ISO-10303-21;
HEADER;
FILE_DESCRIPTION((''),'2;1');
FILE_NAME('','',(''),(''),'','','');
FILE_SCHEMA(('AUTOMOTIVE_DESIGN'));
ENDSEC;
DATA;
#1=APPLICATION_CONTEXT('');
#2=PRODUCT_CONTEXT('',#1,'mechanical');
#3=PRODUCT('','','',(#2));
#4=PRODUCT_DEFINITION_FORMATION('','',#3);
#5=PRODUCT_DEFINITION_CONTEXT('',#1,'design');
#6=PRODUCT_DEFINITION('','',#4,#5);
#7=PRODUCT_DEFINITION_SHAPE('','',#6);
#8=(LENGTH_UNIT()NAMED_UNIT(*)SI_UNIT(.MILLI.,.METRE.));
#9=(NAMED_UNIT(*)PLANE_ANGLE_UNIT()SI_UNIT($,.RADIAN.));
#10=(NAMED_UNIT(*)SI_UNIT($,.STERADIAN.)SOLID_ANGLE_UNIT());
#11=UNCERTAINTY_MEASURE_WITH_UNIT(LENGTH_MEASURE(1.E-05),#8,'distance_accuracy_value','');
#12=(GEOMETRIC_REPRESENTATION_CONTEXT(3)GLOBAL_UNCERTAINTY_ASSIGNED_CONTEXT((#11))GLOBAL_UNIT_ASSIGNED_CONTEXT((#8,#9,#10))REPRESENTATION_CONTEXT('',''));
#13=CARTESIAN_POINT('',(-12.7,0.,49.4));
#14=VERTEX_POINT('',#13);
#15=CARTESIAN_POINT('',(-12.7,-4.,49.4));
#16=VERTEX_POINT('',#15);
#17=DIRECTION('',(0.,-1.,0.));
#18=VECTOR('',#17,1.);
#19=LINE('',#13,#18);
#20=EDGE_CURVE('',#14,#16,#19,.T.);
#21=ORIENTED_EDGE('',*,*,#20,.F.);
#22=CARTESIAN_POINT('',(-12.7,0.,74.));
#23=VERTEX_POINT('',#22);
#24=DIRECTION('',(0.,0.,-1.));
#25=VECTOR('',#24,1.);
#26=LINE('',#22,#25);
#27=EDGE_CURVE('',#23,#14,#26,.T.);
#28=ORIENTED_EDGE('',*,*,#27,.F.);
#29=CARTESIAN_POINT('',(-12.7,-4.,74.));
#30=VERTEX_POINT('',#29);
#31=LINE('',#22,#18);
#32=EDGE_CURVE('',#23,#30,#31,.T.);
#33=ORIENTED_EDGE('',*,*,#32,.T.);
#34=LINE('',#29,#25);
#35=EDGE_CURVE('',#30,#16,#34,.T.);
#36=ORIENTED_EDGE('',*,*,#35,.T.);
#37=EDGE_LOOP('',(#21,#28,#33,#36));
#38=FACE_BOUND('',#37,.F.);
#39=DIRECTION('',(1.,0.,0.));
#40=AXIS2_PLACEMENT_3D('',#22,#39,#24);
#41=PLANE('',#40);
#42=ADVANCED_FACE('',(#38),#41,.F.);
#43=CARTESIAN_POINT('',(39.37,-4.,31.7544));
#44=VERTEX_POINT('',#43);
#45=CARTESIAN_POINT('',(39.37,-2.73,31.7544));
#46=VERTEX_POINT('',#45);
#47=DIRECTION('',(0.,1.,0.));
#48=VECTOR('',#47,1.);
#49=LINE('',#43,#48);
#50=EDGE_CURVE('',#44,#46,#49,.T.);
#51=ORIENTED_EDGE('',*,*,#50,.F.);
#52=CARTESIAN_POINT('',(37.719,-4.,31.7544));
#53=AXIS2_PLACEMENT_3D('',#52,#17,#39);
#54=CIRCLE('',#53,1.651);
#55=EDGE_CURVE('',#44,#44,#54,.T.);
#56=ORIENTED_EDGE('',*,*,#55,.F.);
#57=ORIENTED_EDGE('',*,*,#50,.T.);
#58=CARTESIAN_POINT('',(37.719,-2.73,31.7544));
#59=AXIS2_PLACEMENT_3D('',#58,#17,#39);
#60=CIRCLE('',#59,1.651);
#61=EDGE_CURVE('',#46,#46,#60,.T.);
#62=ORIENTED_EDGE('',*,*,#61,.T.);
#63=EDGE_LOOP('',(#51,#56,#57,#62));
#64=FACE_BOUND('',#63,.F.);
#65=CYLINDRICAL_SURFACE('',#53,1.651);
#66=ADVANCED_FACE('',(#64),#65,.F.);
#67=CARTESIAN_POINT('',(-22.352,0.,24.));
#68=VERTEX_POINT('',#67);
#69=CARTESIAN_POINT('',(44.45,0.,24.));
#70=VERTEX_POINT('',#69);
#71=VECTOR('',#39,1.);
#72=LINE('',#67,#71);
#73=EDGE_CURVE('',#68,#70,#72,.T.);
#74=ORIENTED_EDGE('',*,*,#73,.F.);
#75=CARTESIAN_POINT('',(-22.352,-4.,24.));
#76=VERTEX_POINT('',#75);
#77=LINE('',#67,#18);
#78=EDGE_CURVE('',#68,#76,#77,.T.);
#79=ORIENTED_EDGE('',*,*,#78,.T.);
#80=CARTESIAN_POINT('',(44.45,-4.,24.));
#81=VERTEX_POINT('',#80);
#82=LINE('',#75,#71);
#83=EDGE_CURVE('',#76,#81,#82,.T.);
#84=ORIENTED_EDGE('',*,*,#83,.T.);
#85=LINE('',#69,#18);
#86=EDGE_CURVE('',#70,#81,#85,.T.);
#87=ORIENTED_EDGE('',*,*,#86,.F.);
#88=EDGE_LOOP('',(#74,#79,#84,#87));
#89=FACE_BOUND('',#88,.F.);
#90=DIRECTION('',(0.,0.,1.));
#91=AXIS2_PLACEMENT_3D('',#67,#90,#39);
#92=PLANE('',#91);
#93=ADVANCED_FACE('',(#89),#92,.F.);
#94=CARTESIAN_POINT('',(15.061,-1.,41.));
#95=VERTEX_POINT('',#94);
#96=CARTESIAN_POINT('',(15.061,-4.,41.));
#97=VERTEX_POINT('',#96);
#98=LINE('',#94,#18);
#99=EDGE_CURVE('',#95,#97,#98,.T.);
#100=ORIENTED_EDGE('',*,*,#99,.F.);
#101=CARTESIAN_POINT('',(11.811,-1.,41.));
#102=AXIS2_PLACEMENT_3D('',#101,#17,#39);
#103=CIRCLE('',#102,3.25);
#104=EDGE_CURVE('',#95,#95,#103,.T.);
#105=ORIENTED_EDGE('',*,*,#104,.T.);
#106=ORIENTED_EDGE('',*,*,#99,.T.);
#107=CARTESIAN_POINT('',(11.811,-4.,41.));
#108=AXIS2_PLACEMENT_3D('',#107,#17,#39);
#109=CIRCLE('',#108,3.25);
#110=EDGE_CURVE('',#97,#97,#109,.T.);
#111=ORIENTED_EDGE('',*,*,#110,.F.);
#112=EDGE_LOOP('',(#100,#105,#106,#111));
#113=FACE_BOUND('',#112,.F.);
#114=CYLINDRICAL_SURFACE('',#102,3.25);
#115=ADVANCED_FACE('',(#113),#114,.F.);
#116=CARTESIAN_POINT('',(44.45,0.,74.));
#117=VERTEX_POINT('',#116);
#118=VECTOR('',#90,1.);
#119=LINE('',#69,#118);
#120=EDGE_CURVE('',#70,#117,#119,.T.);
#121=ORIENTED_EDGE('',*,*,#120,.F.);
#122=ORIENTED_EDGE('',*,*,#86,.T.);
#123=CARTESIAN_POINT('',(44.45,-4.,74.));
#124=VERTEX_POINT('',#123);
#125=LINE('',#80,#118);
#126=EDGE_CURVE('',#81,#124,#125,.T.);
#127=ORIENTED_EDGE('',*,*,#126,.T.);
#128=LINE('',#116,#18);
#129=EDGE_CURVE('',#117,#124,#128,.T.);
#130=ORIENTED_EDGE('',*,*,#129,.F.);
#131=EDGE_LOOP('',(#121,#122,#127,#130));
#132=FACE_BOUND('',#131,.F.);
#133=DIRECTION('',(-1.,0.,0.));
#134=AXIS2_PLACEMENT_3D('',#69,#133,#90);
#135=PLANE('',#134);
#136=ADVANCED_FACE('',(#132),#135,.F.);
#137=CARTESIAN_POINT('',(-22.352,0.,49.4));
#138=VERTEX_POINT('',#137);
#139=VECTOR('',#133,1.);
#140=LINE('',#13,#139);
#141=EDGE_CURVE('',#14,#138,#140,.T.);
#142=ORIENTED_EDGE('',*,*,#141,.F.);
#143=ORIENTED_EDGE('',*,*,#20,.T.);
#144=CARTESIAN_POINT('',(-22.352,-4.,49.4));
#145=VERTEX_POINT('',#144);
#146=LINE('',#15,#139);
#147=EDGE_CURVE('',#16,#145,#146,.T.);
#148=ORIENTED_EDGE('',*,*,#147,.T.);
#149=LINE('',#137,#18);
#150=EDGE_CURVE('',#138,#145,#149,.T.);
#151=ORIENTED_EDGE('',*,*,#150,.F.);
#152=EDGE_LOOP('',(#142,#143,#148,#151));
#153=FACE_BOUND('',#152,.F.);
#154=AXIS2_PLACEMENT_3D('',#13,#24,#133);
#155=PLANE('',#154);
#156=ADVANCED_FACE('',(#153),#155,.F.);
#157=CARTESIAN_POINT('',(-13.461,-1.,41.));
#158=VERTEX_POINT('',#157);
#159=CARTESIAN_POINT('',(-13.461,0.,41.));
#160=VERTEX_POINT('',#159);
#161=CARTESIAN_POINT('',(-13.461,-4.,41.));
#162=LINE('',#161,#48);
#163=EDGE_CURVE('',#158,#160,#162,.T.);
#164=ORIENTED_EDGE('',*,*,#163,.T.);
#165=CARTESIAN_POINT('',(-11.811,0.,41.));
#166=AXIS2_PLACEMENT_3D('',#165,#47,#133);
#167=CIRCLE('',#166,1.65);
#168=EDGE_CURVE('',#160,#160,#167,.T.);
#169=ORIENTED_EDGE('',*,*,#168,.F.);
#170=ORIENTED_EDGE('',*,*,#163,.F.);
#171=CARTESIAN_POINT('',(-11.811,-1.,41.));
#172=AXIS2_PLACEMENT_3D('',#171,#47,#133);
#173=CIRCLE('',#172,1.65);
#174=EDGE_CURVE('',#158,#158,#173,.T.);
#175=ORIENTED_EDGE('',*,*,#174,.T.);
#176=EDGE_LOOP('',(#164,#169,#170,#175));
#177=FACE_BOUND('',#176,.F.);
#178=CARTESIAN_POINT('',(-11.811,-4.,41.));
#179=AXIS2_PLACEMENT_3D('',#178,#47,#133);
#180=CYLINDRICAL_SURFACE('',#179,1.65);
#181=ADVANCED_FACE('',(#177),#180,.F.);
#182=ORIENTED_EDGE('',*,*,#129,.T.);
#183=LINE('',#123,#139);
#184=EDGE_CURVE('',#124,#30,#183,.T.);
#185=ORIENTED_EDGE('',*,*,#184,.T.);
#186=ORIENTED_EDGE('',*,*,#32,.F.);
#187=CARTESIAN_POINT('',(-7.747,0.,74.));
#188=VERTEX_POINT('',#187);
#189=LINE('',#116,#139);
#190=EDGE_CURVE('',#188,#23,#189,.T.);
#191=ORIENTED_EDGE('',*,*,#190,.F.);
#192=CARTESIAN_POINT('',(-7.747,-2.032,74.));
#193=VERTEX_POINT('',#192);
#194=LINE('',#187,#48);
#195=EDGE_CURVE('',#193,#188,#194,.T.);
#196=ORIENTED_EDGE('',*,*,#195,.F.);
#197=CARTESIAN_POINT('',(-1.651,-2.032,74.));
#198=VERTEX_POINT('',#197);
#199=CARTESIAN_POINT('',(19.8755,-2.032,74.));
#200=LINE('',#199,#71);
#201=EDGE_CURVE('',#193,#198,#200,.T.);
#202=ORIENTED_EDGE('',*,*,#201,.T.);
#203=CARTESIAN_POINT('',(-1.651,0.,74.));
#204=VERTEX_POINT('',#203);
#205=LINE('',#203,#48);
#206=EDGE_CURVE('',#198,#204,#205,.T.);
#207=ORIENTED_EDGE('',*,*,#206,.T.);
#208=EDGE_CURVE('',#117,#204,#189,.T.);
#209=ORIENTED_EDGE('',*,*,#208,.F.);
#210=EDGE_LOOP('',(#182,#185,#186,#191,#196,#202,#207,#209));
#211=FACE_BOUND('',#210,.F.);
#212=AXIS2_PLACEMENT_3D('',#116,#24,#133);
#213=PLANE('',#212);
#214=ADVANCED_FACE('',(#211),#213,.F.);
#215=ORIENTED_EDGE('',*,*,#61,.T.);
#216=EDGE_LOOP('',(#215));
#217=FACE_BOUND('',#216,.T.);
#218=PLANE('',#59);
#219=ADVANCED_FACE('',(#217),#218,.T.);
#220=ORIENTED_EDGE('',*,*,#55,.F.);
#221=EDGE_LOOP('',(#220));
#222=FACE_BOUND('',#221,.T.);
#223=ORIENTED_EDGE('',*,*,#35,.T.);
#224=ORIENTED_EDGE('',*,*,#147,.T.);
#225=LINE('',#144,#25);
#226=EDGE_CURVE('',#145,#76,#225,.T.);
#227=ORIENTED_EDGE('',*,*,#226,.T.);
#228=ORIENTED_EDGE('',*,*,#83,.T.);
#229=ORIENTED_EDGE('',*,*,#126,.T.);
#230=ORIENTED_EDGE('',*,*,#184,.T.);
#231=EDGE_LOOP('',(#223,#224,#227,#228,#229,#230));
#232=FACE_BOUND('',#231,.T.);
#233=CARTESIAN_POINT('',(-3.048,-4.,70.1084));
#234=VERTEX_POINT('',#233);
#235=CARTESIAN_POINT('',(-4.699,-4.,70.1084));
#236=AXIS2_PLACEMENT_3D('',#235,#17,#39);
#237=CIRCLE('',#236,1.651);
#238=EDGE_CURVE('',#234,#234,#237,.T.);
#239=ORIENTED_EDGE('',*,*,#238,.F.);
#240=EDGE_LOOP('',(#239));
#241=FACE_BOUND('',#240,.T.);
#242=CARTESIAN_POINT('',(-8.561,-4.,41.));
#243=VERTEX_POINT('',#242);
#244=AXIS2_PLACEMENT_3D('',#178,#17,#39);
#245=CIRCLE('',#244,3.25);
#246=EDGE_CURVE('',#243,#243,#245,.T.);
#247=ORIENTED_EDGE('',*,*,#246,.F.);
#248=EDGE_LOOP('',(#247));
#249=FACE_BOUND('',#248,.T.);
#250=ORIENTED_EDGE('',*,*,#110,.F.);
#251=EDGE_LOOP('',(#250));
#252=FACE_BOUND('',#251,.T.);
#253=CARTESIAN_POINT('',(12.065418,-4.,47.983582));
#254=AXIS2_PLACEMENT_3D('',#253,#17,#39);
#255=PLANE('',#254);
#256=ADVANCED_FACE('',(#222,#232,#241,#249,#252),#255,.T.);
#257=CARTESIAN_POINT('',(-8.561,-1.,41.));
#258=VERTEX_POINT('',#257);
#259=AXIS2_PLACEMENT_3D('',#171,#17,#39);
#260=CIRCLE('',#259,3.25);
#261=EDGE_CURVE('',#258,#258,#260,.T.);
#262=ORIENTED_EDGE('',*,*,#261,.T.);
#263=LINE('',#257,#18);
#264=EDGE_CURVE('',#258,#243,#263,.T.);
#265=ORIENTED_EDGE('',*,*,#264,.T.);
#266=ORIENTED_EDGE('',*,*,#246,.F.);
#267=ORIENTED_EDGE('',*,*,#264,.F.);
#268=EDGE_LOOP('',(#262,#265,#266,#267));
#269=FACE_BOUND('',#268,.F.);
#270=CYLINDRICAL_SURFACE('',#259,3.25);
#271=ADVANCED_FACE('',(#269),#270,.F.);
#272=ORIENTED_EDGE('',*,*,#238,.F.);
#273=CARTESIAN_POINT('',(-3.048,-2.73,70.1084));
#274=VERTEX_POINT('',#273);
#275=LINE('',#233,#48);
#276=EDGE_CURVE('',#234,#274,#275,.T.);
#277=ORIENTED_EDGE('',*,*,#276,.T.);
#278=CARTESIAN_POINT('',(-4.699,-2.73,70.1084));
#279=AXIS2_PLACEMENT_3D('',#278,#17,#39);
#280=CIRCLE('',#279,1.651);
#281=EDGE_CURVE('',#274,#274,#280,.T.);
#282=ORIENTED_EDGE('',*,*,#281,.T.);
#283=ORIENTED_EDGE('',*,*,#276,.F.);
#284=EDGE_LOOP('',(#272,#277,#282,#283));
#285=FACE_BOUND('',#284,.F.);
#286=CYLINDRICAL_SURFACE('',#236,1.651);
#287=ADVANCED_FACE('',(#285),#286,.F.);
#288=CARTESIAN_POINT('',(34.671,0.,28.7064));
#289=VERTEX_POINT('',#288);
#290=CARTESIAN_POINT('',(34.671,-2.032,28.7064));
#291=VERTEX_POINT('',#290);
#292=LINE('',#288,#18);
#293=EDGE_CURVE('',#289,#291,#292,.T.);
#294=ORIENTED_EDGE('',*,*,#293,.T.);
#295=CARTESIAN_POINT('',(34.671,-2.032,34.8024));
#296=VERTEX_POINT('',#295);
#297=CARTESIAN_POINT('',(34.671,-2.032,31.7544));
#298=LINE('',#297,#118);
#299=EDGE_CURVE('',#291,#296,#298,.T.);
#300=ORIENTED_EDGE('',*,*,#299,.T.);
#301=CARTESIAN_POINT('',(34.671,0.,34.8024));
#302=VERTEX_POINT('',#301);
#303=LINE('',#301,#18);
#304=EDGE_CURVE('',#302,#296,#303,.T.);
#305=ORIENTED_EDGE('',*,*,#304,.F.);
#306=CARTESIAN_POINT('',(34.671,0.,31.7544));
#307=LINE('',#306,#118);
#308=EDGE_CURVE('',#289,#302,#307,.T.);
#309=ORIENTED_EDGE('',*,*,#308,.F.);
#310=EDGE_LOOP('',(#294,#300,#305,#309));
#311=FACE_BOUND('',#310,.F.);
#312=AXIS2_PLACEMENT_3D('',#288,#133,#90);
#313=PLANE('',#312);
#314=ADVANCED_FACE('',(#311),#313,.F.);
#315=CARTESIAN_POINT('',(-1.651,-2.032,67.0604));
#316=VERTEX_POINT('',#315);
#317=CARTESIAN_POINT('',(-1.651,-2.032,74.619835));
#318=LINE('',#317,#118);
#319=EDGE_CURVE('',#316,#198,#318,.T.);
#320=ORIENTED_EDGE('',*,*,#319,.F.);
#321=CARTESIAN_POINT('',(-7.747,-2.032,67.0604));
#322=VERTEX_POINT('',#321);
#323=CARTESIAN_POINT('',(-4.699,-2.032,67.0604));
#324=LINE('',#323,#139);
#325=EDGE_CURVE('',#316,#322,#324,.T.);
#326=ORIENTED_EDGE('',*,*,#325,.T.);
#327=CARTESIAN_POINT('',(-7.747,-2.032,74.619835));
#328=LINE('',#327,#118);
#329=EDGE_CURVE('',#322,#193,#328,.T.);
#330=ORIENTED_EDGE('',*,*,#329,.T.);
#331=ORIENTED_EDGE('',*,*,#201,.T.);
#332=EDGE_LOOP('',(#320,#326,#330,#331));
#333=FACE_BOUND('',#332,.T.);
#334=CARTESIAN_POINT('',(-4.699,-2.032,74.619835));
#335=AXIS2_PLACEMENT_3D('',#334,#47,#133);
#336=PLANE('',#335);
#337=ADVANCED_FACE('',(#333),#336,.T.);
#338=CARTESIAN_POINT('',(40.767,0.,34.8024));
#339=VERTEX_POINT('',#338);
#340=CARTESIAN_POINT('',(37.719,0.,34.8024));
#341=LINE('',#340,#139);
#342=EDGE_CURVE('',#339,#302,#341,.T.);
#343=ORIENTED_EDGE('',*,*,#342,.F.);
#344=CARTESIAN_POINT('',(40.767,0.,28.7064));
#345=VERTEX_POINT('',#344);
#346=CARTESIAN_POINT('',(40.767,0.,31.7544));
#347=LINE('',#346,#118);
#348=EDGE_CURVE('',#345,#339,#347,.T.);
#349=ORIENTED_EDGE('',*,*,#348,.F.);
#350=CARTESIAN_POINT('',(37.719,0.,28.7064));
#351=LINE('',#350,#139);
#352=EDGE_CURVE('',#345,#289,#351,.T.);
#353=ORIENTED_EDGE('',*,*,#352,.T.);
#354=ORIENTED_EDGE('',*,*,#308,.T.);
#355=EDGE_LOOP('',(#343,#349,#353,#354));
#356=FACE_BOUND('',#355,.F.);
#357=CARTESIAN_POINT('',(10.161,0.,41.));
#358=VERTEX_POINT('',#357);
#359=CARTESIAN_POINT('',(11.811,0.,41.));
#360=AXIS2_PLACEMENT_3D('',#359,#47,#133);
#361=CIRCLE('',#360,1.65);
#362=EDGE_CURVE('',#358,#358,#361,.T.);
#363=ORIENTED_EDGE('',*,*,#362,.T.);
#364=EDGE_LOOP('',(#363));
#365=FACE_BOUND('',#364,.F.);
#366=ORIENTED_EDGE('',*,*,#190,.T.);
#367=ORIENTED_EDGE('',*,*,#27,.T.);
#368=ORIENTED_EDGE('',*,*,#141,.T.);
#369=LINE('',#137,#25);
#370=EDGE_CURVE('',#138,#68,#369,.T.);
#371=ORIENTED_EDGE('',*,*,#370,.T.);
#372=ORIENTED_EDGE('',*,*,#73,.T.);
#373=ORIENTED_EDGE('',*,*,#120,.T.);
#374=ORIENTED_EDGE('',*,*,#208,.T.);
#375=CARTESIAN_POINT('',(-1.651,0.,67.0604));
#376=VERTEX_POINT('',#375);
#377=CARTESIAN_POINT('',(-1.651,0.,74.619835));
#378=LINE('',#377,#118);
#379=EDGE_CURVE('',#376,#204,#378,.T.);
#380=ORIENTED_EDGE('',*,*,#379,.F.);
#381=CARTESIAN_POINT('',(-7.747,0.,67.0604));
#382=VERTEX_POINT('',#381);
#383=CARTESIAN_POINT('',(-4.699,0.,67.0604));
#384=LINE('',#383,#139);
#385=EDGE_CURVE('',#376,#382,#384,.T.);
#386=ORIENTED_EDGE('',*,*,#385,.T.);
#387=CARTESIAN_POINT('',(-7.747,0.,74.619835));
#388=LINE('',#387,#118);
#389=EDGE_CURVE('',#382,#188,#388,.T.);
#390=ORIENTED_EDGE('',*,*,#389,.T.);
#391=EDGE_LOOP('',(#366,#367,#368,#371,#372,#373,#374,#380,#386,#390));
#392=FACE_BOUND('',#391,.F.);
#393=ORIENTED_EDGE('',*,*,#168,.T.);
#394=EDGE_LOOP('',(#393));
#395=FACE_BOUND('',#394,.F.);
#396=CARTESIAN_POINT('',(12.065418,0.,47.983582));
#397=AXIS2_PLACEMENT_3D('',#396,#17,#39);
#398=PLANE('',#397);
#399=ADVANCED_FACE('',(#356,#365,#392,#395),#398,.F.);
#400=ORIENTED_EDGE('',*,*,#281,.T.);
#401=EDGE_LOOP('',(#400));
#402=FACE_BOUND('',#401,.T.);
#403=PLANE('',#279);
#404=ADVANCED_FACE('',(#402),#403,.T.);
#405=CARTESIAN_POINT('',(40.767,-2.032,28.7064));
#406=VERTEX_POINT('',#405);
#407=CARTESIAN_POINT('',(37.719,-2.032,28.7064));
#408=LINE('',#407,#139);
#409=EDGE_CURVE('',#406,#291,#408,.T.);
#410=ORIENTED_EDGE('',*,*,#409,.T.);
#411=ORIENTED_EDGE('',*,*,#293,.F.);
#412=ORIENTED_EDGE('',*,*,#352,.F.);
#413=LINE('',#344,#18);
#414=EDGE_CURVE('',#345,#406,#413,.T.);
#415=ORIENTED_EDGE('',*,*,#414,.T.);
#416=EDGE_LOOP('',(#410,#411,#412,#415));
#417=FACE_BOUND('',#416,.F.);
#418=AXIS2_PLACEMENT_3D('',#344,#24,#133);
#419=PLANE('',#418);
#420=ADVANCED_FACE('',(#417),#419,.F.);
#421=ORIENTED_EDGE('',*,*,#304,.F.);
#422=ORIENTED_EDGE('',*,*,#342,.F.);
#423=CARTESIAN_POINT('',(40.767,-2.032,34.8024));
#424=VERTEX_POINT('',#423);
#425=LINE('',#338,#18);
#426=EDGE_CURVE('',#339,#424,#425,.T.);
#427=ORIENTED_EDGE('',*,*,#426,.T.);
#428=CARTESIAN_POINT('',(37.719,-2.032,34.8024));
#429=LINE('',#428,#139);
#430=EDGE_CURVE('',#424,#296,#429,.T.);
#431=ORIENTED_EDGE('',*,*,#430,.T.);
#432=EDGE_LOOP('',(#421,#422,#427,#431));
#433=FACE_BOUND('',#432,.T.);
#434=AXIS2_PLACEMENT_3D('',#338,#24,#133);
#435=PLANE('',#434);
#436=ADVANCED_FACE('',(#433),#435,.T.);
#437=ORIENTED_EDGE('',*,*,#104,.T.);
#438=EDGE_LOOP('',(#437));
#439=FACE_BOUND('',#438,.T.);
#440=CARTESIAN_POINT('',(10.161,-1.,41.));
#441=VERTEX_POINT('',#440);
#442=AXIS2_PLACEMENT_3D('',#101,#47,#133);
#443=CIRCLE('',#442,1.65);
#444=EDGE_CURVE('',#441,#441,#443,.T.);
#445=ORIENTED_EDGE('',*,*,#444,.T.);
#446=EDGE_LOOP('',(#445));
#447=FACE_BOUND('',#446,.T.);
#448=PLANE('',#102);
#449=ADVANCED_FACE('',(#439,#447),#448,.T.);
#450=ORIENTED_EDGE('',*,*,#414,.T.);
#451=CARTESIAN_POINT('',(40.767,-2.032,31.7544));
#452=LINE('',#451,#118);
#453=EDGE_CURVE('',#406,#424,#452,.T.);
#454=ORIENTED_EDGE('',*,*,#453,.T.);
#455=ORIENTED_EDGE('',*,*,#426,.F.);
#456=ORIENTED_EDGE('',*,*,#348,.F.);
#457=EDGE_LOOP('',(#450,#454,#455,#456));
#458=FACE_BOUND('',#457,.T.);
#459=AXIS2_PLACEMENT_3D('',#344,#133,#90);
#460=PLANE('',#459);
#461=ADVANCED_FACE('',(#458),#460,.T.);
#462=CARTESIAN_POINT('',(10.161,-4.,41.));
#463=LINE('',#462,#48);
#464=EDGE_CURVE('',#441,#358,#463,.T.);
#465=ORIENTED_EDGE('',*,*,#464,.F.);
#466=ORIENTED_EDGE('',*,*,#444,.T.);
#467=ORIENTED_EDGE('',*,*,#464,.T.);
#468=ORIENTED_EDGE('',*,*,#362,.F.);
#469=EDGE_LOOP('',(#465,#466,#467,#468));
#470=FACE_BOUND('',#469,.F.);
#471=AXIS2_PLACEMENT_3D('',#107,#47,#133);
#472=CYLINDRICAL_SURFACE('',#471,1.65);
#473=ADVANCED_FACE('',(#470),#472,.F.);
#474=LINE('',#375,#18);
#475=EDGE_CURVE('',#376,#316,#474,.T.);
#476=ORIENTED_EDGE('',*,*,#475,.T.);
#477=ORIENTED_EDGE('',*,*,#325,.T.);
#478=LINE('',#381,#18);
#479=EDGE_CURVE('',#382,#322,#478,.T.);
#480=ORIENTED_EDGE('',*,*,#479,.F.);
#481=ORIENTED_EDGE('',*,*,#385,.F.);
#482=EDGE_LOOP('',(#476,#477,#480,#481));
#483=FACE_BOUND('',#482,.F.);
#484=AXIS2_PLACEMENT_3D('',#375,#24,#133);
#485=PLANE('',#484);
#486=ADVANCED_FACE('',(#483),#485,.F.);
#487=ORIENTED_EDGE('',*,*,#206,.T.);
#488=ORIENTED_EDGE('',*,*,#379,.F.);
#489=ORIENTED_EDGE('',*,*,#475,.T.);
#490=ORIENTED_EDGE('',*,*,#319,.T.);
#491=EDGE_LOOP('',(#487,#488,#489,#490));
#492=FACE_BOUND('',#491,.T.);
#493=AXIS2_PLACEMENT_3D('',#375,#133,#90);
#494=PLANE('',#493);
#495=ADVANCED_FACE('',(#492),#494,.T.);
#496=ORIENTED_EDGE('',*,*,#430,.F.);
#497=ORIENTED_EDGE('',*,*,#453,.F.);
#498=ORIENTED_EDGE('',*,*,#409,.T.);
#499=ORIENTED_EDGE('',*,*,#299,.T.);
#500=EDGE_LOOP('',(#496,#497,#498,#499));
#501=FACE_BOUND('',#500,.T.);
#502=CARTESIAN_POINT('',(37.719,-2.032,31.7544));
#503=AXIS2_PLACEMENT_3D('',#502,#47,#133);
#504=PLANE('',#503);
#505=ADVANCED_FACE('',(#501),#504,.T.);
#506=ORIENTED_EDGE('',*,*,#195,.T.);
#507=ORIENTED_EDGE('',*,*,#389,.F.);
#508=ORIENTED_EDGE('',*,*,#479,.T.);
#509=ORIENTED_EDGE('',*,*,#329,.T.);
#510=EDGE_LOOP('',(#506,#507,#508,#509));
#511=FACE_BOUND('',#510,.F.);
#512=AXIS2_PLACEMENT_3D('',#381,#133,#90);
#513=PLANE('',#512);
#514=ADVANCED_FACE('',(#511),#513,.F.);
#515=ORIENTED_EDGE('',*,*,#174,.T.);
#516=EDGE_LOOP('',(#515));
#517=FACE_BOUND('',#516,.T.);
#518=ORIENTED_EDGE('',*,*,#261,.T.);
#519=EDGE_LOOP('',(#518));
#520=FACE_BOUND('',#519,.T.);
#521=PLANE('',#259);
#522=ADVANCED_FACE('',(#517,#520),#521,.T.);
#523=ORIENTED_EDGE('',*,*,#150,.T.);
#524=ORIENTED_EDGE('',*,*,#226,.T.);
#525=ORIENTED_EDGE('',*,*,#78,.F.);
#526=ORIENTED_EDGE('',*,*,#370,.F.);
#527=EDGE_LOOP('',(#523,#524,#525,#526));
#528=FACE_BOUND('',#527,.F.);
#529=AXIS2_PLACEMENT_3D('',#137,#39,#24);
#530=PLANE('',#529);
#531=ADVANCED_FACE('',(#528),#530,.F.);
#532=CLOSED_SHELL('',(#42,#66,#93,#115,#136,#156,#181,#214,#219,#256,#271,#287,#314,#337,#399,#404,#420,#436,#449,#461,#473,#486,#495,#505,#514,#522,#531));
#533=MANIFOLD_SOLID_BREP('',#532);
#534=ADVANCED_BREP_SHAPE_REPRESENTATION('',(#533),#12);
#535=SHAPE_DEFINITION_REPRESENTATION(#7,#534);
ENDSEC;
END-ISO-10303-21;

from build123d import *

# Parameters (mm, degrees)
F1_DEPTH       = 4
F3_D           = 3.3
F3_CBORE_D     = 6.5
F3_CBORE_DEPTH = 3
F5_W           = 6.096
F5_H           = 15.1188707026
F5_H_2         = 6.096
F6_DEPTH       = 2.032
F4_R           = 1.651
F7_DEPTH       = 1.27


with BuildPart() as f1:
    # F0 (on Front) → F1 (new body)
    with BuildSketch(Plane.XZ):
        Polygon((44.45, 74), (-12.7, 74), (-12.7, 49.4), (-22.352, 49.4), (-22.352, 24), (44.45, 24), align=None)
    extrude(amount=F1_DEPTH)

    # F3 (through all)
    with Locations(Plane.XZ.offset(4)):
        with Locations((-11.811, 41), (11.811, 41)):
            CounterBoreHole(F3_D / 2, F3_CBORE_D / 2, F3_CBORE_DEPTH)

    # F5 (on face) → F6 (cut)
    with BuildSketch(Plane(origin=(0, 0, 0), x_dir=(-1, 0, 0), z_dir=(0, 1, 0))):
        with Locations((4.699, 74.6198353513)):
            Rectangle(F5_W, F5_H)
        with Locations((-37.719, 31.7544)):
            Rectangle(F5_W, F5_H_2)
    extrude(amount=-F6_DEPTH, mode=Mode.SUBTRACT)

    # F4 (on face) → F7 (cut)
    with BuildSketch(Plane.XZ.offset(4)):
        with Locations((37.719, 31.7544)):
            Circle(F4_R)
        with Locations((-4.699, 70.1084)):
            Circle(F4_R)
    extrude(amount=-F7_DEPTH, mode=Mode.SUBTRACT)


solid = f1.part
